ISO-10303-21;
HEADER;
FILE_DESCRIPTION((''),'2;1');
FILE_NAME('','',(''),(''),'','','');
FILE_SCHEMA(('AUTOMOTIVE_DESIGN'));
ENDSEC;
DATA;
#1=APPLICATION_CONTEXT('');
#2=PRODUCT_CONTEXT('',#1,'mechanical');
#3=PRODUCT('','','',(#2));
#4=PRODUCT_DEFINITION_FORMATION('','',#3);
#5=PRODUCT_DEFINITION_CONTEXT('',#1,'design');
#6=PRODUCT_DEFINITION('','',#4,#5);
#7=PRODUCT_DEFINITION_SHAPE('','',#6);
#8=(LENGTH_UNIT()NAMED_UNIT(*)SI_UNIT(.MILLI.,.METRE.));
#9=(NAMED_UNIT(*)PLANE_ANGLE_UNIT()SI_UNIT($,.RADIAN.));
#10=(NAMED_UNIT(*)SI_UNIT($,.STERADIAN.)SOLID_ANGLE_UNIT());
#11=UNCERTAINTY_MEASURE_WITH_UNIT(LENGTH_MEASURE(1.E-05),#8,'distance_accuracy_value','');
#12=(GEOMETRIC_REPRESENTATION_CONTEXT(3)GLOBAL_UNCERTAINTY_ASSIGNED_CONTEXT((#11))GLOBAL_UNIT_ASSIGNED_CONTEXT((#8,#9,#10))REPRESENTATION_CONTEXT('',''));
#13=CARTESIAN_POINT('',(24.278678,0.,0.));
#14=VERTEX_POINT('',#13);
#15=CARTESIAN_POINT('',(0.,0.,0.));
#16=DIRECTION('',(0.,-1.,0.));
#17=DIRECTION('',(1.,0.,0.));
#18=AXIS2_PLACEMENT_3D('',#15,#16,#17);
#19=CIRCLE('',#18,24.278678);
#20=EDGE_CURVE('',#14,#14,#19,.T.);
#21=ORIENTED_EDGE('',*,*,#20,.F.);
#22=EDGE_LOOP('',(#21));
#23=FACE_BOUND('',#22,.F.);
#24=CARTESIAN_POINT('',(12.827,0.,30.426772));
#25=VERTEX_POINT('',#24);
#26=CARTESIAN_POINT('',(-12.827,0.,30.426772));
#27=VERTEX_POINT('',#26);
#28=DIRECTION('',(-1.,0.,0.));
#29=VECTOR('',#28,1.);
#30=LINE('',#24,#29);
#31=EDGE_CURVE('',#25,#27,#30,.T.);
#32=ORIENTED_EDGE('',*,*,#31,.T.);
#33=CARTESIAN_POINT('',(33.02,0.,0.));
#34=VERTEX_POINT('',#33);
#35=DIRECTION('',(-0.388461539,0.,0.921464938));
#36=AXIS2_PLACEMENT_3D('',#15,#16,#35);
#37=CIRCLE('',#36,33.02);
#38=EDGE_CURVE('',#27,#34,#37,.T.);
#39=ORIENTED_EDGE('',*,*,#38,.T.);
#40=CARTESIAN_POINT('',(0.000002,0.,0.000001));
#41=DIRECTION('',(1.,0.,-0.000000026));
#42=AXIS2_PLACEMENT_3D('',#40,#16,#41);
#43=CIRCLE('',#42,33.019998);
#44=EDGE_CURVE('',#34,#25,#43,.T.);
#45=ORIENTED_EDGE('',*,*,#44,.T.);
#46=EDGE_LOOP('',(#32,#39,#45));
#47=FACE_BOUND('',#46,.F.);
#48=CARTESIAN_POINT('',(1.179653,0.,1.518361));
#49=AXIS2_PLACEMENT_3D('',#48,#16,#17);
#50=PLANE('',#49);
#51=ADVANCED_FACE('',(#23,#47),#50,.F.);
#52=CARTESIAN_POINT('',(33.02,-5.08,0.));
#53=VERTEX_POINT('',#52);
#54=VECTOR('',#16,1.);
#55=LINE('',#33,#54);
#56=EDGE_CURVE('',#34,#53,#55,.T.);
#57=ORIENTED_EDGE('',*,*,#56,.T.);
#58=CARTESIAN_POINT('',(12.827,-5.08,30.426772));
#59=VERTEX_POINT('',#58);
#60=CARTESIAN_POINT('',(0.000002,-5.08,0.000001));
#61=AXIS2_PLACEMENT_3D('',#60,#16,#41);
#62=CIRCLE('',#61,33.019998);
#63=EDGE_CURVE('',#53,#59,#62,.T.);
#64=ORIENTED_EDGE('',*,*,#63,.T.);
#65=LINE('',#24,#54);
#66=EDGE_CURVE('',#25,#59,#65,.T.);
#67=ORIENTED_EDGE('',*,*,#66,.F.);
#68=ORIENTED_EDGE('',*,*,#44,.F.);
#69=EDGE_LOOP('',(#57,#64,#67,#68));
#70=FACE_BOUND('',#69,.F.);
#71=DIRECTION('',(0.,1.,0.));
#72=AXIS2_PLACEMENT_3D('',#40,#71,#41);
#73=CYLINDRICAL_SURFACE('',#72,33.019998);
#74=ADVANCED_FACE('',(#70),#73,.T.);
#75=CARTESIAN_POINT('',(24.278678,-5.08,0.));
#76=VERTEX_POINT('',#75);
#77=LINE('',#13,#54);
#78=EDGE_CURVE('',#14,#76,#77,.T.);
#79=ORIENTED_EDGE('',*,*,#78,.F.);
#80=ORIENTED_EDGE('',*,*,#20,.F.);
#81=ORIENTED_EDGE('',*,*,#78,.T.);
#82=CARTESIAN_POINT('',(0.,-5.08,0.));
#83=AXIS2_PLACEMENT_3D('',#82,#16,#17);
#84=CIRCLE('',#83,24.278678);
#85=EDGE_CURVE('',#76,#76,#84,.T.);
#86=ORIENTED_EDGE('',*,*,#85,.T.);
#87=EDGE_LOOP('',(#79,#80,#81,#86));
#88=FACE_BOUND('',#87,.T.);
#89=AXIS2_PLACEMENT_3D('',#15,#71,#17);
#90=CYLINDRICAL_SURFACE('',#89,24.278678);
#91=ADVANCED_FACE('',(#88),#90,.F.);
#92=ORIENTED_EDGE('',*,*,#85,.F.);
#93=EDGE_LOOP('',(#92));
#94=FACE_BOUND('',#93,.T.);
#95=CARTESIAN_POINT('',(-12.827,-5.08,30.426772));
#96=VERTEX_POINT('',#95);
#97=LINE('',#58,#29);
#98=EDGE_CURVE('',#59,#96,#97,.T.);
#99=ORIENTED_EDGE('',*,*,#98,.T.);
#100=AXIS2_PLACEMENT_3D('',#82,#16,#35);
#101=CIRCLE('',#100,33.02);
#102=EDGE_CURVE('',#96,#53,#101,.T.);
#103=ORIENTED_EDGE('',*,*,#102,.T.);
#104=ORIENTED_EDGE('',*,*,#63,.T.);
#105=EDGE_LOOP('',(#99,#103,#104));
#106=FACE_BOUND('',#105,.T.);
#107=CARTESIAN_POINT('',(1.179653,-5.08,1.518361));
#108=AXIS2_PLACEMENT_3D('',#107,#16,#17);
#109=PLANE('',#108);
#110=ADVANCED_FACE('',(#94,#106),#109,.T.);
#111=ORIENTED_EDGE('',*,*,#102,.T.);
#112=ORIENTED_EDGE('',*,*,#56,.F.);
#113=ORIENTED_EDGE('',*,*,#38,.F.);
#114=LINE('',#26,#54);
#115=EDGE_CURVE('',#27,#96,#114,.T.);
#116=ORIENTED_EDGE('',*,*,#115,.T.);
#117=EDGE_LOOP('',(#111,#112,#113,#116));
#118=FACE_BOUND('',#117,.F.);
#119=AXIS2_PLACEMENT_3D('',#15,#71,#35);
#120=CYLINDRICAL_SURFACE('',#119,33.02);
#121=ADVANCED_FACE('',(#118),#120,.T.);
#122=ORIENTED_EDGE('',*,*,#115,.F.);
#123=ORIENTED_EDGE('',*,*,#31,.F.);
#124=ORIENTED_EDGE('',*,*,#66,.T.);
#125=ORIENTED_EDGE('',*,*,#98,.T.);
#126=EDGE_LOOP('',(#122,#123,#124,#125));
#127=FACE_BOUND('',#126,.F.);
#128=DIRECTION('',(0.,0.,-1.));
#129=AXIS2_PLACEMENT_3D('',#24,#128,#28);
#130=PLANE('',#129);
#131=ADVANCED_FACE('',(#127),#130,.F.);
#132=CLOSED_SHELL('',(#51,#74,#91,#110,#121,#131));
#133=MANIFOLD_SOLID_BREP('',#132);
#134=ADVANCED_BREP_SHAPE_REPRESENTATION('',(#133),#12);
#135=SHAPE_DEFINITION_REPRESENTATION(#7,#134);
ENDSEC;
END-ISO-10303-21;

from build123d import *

# Parameters (mm, degrees)
F0_R     = 24.278678
F1_DEPTH = 5.08


with BuildPart() as f1:
    # F0 (on Front) → F1 (new body)
    with BuildSketch(Plane.XZ):
        with BuildLine():
            ThreePointArc((-12.827, 30.426772), (-18.258873, -27.512433), (33.02, 0))
            ThreePointArc((33.02, 0), (27.512433, 18.258873), (12.827, 30.426772))
            Line((12.827, 30.426772), (-12.827, 30.426772))
        make_face()
        Circle(F0_R, mode=Mode.SUBTRACT)
    extrude(amount=F1_DEPTH)


solid = f1.part
